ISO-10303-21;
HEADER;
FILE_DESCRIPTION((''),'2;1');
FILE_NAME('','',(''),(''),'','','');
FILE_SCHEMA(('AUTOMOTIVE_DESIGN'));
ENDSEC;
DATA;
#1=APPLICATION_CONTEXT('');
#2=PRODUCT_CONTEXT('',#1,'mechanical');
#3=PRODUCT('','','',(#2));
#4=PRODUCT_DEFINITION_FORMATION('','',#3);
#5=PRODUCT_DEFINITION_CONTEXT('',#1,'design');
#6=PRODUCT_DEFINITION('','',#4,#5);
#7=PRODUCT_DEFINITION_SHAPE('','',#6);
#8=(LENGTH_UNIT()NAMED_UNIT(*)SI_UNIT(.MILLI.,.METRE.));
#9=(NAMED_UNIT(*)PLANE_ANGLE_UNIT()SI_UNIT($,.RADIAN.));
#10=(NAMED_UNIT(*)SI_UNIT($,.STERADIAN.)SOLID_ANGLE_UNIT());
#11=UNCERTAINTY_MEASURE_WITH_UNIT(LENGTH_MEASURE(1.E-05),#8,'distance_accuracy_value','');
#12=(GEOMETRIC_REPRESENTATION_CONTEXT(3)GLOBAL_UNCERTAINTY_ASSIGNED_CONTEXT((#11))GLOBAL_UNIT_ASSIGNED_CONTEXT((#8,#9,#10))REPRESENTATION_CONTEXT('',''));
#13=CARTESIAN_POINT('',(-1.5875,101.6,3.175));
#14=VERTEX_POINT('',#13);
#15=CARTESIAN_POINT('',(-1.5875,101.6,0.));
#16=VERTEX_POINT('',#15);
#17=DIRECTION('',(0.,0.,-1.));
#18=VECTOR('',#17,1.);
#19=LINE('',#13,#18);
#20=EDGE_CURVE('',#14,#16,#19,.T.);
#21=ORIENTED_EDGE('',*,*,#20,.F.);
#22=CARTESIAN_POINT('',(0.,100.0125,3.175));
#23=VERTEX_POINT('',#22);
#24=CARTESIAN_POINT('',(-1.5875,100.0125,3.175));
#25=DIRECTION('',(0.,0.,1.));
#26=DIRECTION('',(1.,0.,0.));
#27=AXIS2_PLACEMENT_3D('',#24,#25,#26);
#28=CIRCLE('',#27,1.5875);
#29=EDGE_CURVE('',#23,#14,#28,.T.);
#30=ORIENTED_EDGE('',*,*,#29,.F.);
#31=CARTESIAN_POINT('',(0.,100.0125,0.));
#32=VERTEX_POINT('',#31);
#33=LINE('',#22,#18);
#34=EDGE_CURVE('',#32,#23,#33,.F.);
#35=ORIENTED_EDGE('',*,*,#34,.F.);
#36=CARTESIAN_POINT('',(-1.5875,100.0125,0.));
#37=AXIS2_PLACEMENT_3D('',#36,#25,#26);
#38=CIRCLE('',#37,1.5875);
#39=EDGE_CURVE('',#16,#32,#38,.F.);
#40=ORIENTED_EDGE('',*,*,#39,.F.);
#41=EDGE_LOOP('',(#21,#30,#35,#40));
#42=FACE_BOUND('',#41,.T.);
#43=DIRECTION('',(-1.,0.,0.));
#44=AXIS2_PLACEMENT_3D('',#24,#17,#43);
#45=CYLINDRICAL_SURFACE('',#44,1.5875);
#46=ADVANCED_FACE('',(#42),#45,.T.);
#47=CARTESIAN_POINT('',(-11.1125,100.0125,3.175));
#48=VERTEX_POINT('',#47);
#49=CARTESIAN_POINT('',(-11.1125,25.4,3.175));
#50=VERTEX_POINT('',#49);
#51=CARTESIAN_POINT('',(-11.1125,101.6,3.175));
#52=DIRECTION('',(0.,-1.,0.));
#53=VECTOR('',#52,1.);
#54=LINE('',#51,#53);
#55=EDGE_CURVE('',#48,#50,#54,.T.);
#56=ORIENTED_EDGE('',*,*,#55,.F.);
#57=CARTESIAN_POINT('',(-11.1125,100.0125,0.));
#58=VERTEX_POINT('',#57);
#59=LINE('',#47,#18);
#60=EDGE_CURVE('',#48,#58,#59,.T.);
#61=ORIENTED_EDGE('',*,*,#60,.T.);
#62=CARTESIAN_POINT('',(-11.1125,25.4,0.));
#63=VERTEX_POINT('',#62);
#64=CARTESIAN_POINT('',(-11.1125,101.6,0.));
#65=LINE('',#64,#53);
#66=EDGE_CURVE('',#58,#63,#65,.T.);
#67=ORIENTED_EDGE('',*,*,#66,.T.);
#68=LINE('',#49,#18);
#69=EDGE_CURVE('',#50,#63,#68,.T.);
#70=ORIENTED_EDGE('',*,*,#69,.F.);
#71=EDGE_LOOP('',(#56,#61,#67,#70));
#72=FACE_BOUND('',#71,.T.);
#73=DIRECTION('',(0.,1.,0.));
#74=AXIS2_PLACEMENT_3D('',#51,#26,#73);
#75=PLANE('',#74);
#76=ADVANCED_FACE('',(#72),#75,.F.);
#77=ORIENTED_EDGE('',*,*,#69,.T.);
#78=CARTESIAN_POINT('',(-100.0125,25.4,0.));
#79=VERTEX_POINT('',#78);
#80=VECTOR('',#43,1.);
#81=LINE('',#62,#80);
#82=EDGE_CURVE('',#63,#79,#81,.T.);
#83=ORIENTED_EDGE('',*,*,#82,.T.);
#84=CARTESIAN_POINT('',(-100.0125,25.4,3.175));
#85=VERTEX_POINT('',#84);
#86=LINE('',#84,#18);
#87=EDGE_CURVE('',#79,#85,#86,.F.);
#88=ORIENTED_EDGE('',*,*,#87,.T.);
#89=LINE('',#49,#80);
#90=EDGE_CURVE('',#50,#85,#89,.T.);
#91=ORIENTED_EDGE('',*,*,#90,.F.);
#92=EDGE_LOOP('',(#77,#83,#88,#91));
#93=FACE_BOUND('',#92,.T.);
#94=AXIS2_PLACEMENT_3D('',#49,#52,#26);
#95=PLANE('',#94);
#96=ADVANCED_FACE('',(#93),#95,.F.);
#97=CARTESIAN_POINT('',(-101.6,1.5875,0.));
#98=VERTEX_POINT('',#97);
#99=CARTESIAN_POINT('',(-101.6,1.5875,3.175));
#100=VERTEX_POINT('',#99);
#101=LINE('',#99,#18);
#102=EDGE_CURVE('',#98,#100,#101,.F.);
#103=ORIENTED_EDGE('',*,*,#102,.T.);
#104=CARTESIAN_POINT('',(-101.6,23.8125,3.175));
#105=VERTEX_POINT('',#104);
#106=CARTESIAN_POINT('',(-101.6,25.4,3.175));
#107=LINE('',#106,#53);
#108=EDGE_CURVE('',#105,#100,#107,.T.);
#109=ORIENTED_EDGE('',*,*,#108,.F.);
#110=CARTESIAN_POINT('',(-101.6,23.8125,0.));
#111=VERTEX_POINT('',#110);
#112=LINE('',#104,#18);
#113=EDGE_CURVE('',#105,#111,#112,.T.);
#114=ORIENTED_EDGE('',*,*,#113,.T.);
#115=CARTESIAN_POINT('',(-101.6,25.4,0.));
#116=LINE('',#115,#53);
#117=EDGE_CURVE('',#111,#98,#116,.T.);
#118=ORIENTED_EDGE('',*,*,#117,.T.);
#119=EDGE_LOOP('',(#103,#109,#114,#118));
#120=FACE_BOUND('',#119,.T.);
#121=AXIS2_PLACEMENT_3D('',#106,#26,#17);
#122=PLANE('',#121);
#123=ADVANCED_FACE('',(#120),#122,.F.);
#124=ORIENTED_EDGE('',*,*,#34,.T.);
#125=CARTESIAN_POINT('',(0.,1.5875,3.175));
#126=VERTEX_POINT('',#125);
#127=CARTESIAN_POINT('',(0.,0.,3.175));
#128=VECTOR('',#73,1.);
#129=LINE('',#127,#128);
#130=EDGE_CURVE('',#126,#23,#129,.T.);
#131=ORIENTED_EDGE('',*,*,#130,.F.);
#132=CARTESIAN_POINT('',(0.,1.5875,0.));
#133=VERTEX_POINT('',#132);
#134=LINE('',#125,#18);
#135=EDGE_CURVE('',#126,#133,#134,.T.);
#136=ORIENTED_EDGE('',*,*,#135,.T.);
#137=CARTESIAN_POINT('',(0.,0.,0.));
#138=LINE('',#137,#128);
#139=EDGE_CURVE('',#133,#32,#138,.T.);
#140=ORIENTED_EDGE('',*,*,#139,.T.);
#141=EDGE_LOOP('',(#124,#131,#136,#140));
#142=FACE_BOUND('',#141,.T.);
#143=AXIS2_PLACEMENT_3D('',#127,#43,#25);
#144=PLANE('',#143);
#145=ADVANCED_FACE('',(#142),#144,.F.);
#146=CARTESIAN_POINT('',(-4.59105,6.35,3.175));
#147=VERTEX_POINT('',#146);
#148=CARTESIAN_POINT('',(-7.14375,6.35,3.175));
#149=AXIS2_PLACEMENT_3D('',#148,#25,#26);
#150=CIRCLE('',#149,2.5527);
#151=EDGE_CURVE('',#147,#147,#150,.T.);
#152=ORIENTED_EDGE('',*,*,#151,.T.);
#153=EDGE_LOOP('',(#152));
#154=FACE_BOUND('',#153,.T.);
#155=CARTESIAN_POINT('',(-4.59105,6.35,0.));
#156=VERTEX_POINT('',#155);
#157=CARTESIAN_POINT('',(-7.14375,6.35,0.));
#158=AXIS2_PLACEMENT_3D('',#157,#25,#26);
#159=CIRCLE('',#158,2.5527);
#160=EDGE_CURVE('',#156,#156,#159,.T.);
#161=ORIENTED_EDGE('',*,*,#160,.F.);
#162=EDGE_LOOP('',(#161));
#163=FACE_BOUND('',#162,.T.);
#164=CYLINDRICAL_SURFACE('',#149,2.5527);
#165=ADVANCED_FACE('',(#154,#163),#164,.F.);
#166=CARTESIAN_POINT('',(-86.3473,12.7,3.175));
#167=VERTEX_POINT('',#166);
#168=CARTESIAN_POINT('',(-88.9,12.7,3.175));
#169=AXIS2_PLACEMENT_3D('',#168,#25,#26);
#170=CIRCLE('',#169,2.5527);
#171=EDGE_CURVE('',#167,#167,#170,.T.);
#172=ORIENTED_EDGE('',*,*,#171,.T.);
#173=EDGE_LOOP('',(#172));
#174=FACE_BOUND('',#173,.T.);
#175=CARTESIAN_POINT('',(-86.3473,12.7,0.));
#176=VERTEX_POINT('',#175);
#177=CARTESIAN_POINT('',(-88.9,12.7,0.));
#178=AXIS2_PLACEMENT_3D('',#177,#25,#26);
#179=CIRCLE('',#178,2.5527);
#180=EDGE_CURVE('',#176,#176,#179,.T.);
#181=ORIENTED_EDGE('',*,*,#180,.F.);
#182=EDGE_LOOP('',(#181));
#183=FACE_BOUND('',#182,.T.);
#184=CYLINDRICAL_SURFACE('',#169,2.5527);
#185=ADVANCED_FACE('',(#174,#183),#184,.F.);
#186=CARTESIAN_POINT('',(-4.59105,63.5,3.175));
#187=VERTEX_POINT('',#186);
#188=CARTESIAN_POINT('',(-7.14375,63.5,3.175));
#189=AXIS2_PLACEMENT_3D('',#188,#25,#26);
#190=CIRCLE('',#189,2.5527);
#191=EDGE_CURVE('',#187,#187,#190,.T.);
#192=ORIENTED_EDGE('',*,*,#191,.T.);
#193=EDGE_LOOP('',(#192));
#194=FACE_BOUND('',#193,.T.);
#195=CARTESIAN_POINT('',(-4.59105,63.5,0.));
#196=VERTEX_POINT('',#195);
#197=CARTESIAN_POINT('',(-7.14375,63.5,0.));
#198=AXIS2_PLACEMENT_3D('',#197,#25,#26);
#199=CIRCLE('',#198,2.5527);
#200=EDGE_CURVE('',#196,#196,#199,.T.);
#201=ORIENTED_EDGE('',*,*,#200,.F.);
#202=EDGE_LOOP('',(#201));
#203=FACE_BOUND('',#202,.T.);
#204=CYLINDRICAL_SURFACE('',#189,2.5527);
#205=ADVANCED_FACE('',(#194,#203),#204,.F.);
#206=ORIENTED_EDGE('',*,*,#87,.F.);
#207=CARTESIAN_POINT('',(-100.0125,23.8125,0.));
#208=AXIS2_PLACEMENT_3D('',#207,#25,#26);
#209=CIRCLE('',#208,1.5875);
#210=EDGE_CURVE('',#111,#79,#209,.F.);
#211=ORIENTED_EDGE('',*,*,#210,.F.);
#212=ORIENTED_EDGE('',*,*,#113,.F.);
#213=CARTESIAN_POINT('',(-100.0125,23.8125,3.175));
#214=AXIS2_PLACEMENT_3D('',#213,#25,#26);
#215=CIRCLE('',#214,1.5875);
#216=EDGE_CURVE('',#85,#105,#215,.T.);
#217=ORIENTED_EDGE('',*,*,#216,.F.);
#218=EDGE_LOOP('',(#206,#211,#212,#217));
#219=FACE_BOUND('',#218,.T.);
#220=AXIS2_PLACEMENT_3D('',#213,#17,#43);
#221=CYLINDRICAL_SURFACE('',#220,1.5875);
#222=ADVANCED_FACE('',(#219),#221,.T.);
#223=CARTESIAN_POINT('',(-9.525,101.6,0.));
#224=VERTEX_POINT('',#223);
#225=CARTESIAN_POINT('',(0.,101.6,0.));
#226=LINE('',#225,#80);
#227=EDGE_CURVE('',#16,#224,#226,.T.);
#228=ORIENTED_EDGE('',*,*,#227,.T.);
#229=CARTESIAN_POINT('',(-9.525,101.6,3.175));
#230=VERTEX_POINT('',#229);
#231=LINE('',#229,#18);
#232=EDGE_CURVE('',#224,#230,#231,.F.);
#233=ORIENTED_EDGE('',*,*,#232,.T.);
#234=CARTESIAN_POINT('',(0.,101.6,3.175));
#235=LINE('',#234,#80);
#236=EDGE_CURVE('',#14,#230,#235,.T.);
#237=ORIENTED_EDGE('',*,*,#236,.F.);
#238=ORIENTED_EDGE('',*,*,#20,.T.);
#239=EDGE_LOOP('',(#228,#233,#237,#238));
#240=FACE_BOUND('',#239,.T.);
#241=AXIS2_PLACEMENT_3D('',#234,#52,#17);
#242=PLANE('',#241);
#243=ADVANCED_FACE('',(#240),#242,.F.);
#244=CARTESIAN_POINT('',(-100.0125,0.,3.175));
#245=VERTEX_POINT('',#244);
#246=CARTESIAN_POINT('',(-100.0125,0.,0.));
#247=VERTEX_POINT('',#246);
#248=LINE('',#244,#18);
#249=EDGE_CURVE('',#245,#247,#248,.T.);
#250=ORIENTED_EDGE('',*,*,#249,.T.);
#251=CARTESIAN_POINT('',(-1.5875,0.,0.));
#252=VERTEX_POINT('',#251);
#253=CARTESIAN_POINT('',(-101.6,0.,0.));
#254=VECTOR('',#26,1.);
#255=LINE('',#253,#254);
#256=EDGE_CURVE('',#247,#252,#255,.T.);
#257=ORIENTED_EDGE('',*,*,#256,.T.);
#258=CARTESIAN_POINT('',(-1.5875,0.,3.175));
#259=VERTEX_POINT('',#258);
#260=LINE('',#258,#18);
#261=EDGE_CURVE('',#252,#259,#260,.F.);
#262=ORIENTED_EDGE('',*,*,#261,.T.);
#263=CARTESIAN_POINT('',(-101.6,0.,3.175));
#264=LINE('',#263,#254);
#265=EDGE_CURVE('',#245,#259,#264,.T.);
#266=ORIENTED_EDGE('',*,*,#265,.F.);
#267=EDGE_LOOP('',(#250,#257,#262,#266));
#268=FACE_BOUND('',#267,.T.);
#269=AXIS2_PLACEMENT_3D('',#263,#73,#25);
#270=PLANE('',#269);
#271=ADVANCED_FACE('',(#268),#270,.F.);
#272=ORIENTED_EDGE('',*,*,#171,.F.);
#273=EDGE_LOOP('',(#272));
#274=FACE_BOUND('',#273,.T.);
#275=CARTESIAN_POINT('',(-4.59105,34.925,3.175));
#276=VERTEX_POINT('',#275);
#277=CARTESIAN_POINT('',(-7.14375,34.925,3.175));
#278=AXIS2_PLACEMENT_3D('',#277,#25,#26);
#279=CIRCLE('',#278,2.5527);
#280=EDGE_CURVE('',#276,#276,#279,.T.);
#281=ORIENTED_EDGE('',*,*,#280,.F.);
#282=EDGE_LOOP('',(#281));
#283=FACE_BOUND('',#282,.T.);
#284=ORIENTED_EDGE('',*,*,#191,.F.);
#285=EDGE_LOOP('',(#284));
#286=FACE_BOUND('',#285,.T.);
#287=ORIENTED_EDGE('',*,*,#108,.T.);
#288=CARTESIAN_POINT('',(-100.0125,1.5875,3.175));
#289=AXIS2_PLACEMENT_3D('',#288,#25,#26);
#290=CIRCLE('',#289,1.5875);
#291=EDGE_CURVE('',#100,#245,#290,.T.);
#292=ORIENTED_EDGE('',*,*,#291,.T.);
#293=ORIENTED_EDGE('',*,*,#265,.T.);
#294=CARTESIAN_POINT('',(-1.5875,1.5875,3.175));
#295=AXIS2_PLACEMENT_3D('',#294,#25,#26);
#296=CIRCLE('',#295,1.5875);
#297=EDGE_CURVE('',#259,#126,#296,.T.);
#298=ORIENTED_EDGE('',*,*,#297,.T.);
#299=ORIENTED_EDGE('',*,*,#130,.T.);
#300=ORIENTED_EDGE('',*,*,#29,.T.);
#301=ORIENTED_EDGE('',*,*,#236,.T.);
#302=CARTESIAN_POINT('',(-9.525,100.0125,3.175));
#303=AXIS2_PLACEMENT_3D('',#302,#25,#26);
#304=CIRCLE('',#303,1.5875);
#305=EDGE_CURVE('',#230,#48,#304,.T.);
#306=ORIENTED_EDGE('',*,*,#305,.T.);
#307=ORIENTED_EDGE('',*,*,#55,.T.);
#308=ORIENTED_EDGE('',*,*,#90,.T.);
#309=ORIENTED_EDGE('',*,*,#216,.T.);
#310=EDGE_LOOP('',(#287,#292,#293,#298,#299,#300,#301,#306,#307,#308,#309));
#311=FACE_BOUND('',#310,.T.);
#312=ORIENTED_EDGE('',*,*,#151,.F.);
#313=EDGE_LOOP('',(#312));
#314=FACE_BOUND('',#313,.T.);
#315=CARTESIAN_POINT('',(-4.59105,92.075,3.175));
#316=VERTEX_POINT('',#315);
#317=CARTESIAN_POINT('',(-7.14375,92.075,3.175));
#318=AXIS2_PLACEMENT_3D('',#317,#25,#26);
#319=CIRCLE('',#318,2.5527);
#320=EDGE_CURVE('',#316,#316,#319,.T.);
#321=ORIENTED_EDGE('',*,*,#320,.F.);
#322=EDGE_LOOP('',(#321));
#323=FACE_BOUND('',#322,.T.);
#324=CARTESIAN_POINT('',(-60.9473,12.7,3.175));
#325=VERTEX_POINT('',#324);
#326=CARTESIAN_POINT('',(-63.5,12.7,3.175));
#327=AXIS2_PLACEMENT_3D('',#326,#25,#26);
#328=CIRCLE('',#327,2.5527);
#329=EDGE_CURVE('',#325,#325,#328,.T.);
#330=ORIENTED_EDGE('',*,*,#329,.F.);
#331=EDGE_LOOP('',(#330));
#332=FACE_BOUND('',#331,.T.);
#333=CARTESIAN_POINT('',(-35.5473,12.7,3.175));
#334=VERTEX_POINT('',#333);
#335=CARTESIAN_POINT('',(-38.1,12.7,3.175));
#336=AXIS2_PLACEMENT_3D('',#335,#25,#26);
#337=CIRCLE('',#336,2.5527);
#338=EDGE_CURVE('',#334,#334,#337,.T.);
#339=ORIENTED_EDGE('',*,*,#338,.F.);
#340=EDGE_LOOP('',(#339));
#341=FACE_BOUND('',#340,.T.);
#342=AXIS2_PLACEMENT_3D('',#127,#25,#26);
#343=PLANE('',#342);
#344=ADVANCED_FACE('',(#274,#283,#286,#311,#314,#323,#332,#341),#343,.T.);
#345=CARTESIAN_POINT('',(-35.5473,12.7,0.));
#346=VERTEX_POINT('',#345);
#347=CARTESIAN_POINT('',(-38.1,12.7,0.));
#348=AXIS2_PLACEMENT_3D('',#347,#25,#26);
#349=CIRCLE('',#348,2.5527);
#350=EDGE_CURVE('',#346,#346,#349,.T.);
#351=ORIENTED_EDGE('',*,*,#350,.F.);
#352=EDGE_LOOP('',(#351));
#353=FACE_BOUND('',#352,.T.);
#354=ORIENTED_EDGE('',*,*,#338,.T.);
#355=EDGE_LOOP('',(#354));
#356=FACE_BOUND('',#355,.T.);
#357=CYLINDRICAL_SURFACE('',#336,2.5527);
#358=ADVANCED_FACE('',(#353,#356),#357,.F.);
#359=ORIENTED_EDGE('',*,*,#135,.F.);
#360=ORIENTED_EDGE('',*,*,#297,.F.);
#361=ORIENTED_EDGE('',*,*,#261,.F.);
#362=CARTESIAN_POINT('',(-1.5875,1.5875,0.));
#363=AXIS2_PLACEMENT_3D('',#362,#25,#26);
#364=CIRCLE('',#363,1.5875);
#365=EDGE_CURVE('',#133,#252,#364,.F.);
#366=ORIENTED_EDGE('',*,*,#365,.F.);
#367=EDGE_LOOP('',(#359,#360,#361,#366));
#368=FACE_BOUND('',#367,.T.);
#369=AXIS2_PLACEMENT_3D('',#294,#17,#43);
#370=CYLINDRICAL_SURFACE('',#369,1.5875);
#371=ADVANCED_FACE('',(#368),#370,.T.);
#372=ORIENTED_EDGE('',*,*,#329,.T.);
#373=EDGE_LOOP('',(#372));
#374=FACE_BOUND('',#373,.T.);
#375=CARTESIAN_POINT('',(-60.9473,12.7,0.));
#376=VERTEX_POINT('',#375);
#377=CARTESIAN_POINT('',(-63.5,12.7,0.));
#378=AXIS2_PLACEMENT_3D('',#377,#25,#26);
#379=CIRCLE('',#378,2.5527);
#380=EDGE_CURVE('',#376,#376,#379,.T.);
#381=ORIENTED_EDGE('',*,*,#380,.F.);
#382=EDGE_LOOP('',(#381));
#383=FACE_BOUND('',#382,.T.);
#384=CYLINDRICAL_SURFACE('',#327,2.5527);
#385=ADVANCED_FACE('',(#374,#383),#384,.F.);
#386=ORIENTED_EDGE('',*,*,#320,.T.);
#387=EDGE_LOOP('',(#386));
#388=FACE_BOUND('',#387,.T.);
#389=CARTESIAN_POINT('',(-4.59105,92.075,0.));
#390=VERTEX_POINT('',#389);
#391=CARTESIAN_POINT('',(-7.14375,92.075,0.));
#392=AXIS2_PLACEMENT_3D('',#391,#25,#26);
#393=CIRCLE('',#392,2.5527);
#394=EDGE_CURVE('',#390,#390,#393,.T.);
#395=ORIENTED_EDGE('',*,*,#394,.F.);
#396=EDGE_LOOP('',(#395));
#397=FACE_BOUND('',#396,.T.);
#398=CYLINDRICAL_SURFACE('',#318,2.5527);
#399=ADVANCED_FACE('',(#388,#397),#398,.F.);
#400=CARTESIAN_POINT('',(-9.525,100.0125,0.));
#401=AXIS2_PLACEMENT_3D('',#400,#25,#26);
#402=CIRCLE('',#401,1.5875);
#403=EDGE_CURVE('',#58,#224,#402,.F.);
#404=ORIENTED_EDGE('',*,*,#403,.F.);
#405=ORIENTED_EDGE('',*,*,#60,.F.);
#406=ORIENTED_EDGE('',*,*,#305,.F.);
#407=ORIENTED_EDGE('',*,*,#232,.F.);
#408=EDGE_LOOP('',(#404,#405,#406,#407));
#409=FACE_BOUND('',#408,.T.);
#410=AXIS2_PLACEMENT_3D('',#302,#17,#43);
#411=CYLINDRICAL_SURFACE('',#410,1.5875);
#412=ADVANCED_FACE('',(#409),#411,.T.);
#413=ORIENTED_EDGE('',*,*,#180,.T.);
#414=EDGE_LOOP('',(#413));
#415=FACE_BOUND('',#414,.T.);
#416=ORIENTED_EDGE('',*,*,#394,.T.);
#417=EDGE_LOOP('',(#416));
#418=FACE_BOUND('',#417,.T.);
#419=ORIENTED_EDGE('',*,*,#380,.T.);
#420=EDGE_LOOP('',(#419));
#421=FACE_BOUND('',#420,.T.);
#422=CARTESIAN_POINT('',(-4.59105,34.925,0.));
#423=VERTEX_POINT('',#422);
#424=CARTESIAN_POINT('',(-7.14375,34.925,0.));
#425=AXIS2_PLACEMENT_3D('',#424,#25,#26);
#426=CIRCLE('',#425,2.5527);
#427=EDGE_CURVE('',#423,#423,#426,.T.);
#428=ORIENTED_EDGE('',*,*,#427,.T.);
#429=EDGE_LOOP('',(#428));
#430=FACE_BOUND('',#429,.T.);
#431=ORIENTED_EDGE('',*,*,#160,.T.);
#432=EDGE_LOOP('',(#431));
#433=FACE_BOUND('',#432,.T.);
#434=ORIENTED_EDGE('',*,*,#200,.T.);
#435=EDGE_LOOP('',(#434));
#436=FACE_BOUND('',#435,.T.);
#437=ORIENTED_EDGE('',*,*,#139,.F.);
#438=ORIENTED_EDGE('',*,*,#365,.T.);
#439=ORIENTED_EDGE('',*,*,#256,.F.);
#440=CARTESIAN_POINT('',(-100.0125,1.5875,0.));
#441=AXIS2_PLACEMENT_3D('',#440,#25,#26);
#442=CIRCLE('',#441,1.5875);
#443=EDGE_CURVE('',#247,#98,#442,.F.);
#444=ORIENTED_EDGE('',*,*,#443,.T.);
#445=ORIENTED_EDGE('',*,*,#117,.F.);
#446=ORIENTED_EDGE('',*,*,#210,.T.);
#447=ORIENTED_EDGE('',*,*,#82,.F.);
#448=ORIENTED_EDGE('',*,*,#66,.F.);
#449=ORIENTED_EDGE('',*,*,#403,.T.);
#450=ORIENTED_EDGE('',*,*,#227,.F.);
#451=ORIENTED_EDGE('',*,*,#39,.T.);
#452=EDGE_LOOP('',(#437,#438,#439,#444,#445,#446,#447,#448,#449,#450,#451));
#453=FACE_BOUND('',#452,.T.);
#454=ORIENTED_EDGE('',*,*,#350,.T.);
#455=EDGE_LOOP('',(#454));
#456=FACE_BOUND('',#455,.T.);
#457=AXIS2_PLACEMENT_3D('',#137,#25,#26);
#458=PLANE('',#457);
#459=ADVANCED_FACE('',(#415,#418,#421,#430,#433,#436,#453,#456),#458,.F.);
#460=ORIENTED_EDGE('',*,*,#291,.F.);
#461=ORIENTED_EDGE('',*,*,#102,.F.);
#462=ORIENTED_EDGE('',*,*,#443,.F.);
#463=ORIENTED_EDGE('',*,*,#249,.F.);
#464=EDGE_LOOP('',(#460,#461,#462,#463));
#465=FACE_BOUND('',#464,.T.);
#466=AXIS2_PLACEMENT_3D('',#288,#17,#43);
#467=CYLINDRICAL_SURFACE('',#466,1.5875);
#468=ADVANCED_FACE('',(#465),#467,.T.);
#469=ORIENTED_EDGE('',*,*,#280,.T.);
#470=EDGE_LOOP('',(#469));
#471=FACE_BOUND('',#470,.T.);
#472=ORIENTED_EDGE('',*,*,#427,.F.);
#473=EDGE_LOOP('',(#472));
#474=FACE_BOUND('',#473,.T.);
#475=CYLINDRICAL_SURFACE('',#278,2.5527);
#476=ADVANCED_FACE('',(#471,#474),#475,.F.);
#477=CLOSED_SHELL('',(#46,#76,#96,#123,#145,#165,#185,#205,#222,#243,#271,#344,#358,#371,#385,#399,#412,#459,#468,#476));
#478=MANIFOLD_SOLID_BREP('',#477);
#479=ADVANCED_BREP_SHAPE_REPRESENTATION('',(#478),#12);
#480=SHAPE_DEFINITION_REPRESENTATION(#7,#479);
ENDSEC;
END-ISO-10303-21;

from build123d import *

# Parameters (mm, degrees)
BOSS_EXTRUDE1_DEPTH    = 3.175
F_10_CLEARANCE_HOLE1_D = 5.1054
F_10_CLEARANCE_HOLE2_D = 5.1054
FILLET1_R              = 1.5875


with BuildPart() as part:
    # Sketch1 → Boss-Extrude1 (new body)
    with BuildSketch(Plane.XY):
        Polygon((0, 0), (0, 101.6), (-11.1125, 101.6), (-11.1125, 25.4), (-101.6, 25.4), (-101.6, 0), align=None)
    extrude(amount=BOSS_EXTRUDE1_DEPTH)

    # #10 Clearance Hole1 (through all)
    with Locations(Plane.XY.offset(3.175)):
        with Locations((-7.14375, 6.35), (-7.14375, 34.925), (-7.14375, 63.5), (-7.14375, 92.075)):
            Hole(F_10_CLEARANCE_HOLE1_D / 2)

    # #10 Clearance Hole2 (through all)
    with Locations(Plane.XY.offset(3.175)):
        with Locations((-88.9, 12.7), (-38.1, 12.7), (-63.5, 12.7)):
            Hole(F_10_CLEARANCE_HOLE2_D / 2)

    # Fillet1
    fillet1_edges = [part.edges().sort_by_distance(p)[0] for p in [
        (-101.6, 0, 1.5875),
        (-101.6, 25.4, 1.5875),
        (-11.1125, 101.6, 1.5875),
        (0, 101.6, 1.5875),
        (0, 0, 1.5875),
    ]]
    fillet(fillet1_edges, radius=FILLET1_R)


solid = part.part
